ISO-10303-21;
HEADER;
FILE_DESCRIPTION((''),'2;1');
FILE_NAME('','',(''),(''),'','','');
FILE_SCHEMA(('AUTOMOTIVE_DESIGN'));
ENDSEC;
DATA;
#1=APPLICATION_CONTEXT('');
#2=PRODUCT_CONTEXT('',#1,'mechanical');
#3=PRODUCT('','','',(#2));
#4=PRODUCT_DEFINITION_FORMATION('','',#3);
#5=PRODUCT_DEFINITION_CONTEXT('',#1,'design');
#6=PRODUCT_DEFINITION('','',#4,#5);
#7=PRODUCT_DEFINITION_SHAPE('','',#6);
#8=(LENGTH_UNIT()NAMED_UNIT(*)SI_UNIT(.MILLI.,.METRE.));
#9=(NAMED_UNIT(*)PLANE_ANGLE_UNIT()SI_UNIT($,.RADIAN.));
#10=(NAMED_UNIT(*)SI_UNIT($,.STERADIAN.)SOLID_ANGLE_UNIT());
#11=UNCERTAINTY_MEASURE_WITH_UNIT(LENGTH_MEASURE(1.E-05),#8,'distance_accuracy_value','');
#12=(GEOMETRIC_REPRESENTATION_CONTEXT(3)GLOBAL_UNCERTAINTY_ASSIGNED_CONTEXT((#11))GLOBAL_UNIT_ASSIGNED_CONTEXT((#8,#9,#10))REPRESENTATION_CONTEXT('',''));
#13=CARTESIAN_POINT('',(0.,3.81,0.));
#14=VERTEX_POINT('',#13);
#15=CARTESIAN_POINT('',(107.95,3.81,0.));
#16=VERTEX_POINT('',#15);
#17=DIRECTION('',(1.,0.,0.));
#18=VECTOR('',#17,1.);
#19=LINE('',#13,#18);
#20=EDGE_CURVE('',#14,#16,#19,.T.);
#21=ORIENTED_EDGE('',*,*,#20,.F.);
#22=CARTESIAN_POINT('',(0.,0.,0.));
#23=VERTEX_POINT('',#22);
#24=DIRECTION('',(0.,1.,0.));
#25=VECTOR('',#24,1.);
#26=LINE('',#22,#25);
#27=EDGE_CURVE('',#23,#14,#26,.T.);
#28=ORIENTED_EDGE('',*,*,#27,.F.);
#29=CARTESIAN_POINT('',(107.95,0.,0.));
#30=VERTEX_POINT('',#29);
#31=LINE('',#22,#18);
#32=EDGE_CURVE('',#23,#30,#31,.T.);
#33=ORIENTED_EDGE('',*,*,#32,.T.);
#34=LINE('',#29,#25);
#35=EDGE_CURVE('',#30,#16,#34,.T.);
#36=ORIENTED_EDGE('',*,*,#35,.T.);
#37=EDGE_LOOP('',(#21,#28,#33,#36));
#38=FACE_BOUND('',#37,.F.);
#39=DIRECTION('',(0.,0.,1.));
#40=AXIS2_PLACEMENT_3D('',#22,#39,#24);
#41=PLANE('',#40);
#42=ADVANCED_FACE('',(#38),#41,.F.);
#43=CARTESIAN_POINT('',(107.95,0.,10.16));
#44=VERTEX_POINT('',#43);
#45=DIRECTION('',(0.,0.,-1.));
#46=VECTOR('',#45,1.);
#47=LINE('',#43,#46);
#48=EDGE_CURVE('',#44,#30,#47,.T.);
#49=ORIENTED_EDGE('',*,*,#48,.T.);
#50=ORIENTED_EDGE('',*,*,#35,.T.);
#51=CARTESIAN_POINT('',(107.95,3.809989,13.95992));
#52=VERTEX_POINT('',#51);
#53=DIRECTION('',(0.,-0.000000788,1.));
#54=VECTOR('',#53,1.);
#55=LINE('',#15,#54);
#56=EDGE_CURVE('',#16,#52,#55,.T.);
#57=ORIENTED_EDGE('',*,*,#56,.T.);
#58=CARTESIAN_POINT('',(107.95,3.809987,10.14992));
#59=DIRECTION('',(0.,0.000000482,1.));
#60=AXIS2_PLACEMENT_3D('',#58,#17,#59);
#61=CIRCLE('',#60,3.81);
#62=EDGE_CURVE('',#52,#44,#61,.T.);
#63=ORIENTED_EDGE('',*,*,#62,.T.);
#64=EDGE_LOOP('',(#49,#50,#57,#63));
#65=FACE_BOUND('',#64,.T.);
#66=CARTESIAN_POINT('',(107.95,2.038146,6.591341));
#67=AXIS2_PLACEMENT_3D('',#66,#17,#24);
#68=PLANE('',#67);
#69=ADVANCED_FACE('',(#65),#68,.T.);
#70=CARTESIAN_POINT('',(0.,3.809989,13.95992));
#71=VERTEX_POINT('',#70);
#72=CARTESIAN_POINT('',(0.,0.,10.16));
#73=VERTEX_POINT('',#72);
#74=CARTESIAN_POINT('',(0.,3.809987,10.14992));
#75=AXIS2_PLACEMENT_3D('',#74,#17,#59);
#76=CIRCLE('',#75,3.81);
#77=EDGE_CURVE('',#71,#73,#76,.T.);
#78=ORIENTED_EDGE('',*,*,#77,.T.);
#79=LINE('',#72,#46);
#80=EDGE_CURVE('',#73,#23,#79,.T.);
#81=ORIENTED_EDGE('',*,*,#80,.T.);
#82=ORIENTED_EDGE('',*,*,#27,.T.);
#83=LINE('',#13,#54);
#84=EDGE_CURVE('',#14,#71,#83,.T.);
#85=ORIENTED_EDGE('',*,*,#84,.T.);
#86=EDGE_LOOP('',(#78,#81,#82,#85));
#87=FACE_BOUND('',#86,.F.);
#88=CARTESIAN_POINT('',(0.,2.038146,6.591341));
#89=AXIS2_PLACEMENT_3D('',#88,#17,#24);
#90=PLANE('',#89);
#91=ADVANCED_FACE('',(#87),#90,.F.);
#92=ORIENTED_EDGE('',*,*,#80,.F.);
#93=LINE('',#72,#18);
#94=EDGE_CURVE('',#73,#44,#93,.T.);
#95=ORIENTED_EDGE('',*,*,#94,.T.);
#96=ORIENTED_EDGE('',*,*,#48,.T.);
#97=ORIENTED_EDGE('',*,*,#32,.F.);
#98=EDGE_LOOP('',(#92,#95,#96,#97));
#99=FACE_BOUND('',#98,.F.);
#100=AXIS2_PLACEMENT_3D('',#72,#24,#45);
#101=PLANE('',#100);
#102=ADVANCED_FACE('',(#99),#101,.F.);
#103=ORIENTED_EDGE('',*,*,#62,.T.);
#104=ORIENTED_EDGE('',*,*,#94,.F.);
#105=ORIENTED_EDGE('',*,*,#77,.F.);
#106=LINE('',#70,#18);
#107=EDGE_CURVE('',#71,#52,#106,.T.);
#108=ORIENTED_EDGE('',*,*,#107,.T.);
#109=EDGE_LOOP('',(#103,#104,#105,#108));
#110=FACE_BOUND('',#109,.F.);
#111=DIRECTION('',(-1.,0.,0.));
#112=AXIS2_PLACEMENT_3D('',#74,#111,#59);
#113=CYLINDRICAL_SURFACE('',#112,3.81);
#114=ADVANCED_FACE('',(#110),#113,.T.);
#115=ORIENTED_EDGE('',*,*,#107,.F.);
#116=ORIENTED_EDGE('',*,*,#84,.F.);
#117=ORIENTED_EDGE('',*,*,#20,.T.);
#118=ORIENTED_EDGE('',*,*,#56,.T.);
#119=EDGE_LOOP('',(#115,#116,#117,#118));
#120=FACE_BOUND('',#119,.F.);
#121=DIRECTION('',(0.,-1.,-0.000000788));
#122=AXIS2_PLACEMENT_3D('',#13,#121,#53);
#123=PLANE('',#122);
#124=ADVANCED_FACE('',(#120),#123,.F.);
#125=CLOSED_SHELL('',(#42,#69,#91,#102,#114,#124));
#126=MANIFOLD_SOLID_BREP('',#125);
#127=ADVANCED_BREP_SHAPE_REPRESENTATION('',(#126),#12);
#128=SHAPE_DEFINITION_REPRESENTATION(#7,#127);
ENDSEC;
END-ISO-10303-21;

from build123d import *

# Parameters (mm, degrees)
F1_DEPTH = 107.95


with BuildPart() as f1:
    # F0 (on Right) → F1 (new body)
    with BuildSketch(Plane.YZ):
        with BuildLine():
            Line((0, 10.13984), (0, 0))
            Line((0, 0), (3.81, 0))
            Line((3.81, 0), (3.809989, 13.95992))
            ThreePointArc((3.809989, 13.95992), (1.119477, 12.847559), (0, 10.16))
            Line((0, 10.16), (0, 10.13984))
        make_face()
    extrude(amount=F1_DEPTH)


solid = f1.part
